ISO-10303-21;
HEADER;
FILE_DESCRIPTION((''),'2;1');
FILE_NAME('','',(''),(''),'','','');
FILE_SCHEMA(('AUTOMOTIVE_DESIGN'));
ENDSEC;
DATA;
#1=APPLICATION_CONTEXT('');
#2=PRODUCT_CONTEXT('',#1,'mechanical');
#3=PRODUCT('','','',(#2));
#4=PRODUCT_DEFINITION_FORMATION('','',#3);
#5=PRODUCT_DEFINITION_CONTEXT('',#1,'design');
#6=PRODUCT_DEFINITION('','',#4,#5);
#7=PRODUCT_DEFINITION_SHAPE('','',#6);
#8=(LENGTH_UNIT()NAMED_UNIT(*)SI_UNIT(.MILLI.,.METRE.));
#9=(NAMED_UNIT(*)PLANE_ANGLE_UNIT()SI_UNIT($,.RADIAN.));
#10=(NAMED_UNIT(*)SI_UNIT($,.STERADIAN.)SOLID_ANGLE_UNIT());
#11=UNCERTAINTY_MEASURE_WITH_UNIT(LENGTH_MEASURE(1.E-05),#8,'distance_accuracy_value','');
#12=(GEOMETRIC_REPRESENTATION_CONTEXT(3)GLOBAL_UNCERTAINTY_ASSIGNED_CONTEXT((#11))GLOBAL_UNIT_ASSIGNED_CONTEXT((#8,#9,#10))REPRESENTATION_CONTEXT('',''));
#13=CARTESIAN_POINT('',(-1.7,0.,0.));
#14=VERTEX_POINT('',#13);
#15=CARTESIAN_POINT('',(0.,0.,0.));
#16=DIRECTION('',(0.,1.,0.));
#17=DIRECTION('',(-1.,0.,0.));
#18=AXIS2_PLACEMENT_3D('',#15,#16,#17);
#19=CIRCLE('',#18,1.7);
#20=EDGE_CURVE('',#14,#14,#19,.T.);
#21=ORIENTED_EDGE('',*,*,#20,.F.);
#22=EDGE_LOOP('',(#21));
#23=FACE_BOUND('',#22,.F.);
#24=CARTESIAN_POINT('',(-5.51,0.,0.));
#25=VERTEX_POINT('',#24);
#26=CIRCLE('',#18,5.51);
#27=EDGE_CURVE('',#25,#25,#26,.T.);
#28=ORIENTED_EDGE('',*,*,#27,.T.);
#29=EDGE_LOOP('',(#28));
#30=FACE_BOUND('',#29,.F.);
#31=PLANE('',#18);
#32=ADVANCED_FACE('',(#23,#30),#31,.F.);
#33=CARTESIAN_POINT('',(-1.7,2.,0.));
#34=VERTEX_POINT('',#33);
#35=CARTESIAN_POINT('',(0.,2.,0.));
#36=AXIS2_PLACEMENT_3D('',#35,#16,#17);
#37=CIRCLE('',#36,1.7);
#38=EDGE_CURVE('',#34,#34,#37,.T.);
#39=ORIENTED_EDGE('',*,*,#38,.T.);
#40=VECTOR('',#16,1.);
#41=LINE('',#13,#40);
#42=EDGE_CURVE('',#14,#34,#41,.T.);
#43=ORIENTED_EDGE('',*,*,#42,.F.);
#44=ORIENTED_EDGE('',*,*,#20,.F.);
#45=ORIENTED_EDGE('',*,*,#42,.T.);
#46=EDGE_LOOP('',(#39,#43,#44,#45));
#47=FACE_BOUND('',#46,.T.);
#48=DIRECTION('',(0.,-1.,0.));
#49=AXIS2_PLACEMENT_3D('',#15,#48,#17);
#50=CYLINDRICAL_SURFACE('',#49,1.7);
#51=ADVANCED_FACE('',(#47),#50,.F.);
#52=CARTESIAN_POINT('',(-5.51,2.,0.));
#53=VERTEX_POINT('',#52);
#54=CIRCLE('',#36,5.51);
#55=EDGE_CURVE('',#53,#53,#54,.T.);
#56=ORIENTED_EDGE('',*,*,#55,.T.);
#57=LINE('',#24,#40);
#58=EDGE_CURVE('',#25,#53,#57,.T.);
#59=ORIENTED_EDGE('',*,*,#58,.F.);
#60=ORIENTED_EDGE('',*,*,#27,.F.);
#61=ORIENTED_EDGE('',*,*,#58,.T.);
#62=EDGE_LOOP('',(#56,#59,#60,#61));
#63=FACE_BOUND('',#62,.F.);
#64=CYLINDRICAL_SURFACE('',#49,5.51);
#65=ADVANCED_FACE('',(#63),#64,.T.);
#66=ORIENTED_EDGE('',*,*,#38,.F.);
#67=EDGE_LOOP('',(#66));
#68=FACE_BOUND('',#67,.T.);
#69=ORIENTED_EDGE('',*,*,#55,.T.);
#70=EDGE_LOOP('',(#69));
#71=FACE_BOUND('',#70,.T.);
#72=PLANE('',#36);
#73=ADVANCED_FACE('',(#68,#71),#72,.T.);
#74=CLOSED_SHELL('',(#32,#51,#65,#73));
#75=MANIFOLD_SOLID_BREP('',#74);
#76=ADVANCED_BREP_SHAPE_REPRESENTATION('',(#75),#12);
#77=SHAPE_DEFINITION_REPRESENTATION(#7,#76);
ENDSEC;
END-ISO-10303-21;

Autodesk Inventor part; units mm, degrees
ref_plane "YZ Plane" through (0, 0, 0) normal (1, 0, 0) x (0, 1, 0)
ref_plane "XZ Plane" through (0, 0, 0) normal (0, 1, 0) x (-1, 0, 0)
ref_plane "XY Plane" through (0, 0, 0) normal (0, 0, 1) x (1, 0, 0)
sketch "Sketch1" plane through (0, 0, 0) normal (0, 1, 0) x (-1, 0, 0)
  circle A0 centre (0, 0) radius 5.51
  circle A1 centre (0, 0) radius 1.7
  dimension "d0" = 3.4
  dimension "d1" = 3.81
extrude "Extrusion1" add sketch "Sketch1" along normal blind 2
equation "\"d0\" = m3_clearance"
equation "\"m3_heat_set_insert\" = 4"
equation "\"m3_clearance\" = 3.4"
equation "\"m3_heat_set_depth\" = 7"
equation "\"robot_diameter\" = 354"
equation "\"hardboard_thickness\" = 5"
equation "\"motor_centerline_height\" = 13"
properties part number "caster_2mm_spacer"
